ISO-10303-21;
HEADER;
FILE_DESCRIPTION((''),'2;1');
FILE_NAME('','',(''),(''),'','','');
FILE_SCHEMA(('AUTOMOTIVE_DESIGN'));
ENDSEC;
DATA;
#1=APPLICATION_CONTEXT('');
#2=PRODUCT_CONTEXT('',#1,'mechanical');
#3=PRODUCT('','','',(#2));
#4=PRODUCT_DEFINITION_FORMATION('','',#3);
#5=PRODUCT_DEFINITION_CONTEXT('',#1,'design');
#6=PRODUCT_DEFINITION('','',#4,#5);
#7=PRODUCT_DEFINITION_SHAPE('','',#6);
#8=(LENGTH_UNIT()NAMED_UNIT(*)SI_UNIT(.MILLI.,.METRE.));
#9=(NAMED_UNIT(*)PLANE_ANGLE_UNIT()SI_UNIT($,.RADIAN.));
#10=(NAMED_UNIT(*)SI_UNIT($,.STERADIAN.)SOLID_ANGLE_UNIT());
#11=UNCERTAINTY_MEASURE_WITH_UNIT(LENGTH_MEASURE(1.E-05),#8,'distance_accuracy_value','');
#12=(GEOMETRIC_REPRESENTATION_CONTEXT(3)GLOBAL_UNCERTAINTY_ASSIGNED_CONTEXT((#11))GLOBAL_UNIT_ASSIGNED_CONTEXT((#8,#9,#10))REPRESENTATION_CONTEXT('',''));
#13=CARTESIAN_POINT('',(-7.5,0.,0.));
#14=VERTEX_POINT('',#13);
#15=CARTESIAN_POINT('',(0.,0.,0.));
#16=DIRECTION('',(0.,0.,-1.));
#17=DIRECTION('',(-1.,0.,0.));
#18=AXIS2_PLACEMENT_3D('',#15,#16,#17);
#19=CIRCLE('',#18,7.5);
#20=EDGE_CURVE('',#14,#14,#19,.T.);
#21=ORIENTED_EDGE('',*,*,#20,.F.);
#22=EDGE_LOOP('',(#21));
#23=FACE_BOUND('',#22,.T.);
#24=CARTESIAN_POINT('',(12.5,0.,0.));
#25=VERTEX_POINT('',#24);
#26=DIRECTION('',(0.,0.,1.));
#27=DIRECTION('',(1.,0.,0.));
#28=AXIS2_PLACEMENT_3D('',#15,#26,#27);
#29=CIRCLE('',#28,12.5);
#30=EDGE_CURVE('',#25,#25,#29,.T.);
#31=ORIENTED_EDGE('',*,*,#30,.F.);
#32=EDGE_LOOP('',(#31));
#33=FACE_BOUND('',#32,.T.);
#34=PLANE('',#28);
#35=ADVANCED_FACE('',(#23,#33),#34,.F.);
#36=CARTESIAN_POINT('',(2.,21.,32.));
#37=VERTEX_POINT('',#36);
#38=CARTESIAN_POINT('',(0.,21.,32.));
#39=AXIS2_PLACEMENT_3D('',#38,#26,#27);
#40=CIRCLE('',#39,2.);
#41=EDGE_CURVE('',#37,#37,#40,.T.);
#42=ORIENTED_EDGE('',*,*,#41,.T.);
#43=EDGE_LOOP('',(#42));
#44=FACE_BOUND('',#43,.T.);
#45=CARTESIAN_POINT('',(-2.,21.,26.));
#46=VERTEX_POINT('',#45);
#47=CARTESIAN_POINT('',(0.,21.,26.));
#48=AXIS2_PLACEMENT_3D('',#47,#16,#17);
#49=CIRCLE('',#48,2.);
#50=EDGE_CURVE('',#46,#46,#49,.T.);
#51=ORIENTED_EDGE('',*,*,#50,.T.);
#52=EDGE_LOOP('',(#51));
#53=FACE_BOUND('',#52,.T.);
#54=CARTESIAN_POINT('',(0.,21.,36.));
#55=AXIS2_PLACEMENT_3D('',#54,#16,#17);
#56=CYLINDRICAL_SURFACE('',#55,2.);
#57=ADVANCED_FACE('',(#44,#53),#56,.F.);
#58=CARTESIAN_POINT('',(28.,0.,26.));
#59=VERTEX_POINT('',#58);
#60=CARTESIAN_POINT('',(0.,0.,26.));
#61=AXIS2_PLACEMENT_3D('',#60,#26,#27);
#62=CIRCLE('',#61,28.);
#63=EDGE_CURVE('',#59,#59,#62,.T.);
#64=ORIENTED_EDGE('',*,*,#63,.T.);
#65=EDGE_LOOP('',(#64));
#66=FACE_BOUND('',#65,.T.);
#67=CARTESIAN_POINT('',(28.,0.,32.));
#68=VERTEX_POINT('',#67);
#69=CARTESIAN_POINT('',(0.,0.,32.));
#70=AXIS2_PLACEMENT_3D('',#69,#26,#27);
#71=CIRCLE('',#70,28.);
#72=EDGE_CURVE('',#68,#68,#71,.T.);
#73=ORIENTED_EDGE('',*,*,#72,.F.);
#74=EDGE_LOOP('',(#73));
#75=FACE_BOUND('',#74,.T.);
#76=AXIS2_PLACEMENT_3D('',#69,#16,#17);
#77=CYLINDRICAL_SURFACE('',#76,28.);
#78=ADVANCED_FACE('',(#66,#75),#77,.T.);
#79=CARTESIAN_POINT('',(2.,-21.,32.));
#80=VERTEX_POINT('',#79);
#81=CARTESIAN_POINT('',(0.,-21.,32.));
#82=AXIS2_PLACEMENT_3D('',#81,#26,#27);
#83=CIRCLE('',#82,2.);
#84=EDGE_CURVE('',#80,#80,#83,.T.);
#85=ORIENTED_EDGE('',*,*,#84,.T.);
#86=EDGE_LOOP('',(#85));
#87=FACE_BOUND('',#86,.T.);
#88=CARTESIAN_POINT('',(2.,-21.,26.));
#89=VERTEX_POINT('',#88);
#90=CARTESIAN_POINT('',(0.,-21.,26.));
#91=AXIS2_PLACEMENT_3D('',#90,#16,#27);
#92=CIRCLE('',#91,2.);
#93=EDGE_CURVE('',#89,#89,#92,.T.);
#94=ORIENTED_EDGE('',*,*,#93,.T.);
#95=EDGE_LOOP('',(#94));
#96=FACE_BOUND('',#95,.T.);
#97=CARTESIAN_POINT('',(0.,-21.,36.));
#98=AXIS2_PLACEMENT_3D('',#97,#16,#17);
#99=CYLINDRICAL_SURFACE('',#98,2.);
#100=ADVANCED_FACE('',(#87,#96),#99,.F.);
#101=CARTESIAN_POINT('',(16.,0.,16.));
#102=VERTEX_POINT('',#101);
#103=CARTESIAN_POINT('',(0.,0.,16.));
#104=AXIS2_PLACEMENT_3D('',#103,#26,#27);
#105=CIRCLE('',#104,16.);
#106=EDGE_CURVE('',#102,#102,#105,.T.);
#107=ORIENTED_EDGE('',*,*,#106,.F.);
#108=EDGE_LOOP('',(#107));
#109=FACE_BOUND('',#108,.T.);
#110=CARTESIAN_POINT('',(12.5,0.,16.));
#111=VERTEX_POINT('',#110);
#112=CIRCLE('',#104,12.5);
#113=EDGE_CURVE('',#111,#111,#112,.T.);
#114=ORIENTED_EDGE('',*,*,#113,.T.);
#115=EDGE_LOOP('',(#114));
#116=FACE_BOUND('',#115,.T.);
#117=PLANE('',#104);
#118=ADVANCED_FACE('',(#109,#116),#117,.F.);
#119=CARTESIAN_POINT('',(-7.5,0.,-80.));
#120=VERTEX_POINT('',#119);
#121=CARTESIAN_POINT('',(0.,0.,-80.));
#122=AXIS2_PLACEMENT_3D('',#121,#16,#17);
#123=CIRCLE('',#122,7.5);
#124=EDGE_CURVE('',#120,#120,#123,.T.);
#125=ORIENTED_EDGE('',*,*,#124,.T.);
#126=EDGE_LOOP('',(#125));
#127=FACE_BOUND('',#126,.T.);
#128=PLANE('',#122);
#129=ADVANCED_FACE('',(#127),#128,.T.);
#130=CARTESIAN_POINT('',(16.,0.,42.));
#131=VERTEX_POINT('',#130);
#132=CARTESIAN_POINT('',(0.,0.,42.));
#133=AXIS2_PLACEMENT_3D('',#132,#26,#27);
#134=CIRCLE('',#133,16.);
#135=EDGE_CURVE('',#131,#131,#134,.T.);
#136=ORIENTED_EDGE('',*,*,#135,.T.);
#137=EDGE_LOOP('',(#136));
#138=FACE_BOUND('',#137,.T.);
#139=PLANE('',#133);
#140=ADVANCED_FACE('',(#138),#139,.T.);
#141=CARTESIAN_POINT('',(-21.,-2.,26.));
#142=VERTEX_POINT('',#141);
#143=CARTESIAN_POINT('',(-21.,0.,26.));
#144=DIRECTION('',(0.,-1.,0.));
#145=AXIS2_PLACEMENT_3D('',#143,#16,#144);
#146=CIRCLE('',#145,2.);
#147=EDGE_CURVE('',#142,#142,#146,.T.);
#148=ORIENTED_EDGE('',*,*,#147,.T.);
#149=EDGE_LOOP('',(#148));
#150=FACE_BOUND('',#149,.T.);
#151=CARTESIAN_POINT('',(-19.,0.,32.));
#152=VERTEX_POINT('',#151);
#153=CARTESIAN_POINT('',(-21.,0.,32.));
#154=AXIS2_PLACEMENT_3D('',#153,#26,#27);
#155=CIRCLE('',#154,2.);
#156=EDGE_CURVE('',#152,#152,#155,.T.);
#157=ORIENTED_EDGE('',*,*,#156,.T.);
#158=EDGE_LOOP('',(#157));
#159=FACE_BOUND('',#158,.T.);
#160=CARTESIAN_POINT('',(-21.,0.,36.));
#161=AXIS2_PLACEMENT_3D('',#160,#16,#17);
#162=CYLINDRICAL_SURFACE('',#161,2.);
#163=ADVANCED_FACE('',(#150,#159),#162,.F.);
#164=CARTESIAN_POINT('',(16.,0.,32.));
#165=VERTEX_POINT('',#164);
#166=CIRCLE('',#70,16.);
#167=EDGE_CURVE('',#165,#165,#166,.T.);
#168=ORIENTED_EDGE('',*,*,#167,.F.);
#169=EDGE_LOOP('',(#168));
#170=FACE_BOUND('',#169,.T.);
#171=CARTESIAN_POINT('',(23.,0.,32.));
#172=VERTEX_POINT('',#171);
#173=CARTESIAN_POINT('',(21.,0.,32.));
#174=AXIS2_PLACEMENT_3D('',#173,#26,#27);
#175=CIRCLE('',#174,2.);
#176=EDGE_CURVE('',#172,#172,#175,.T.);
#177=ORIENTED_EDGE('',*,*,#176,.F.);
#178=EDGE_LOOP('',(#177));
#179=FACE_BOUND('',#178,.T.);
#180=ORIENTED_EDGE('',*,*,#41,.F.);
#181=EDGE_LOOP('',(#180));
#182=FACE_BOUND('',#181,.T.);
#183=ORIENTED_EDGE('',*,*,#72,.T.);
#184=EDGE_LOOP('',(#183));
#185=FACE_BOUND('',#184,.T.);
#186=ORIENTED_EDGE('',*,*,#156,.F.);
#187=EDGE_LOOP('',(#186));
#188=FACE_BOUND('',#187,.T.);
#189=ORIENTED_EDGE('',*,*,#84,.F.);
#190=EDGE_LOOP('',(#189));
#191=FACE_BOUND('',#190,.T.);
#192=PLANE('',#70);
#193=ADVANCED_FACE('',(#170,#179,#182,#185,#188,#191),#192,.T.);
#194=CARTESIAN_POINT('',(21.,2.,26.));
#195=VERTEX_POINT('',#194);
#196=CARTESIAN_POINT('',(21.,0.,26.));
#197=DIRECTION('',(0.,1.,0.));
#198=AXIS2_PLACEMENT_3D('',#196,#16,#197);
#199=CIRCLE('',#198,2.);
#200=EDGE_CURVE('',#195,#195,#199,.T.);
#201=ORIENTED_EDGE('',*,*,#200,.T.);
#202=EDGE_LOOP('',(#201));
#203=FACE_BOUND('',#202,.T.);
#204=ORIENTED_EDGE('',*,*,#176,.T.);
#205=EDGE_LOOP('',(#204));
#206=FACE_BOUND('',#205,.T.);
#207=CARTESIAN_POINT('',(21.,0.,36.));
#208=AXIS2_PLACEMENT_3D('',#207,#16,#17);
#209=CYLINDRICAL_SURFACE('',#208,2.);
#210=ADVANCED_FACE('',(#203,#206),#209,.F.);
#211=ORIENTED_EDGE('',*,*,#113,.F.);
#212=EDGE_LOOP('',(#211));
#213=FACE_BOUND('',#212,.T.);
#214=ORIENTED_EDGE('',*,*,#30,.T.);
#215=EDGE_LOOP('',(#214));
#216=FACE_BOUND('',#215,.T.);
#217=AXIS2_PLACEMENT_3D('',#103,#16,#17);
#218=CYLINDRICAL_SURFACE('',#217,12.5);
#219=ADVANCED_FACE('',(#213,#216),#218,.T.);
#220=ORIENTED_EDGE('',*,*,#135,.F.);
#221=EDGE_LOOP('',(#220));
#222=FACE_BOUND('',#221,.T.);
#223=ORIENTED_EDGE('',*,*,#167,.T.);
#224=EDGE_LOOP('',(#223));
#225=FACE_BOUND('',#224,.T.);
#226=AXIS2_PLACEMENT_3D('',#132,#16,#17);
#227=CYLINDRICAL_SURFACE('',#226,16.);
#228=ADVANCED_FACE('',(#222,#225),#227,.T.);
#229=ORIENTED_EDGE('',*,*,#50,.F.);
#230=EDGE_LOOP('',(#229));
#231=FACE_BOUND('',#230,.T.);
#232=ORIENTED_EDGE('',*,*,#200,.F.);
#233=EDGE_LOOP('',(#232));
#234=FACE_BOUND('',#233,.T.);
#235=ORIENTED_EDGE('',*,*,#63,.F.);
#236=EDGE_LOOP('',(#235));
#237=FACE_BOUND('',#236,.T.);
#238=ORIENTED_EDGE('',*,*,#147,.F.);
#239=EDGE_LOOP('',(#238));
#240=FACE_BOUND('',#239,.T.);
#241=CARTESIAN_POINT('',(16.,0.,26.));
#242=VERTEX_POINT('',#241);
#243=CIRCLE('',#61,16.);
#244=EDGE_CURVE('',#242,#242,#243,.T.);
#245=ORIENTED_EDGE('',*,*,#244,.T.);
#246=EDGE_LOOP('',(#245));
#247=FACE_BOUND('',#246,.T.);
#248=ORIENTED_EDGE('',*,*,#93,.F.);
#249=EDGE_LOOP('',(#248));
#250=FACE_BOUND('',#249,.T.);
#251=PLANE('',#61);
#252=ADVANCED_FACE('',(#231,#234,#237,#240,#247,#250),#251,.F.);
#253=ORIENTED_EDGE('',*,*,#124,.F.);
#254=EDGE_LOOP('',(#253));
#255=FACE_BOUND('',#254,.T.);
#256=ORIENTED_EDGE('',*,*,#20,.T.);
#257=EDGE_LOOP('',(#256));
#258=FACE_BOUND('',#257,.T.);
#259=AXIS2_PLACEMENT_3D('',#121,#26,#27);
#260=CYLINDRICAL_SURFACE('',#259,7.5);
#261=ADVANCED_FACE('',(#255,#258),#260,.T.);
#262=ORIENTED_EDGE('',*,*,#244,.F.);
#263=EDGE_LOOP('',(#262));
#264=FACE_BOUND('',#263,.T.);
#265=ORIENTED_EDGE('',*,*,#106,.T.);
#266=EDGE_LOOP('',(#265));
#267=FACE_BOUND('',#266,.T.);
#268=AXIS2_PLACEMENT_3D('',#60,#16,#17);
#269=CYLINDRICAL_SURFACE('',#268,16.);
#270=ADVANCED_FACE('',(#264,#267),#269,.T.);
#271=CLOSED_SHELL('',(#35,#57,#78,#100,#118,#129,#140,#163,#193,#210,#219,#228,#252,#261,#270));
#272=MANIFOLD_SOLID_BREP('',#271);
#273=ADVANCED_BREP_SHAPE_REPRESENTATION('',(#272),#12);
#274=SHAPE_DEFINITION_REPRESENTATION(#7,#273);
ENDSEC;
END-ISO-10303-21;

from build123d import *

# Parameters (mm, degrees)
SKETCH_1_R               = 12.5
EXTRUDE_1_DEPTH          = 16
SKETCH_2_R               = 16
EXTRUDE_2_DEPTH          = 10
SKETCH_3_R               = 28
EXTRUDE_3_DEPTH          = 6
SKETCH_6_R               = 2
CUT_EXTRUDE_1_DEPTH      = 10
PATTERN_CIRCULAR_2_COUNT = 4
SKETCH_8_R               = 16
EXTRUDE_5_DEPTH          = 10
SKETCH_7_R               = 7.5
EXTRUDE_6_DEPTH          = 80


with BuildPart() as part:
    # 草图1 → 凸台-拉伸1 (new body)
    with BuildSketch(Plane.XY):
        Circle(SKETCH_1_R)
    extrude(amount=EXTRUDE_1_DEPTH)

    # 草图2 → 凸台-拉伸2 (add)
    with BuildSketch(Plane.XY.offset(16)):
        Circle(SKETCH_2_R)
    extrude(amount=EXTRUDE_2_DEPTH)

    # 草图3 → 凸台-拉伸3 (add)
    with BuildSketch(Plane.XY.offset(26)):
        Circle(SKETCH_3_R)
    extrude(amount=EXTRUDE_3_DEPTH)

    # 草图6 → 切除-拉伸1 (cut)
    with BuildSketch(Plane(origin=(0, 0, 26), x_dir=(-1, 0, 0), z_dir=(0, 0, -1))):
        with Locations((0, 21)):
            Circle(SKETCH_6_R)
    cut_extrude_1 = extrude(amount=-CUT_EXTRUDE_1_DEPTH, mode=Mode.SUBTRACT)

    # 阵列(圆周)2: 切除-拉伸1 ×4 about axis
    pattern_circular_2_axis = Axis((0, 0, 0), (0, 0, 1))
    for i in range(1, PATTERN_CIRCULAR_2_COUNT):
        add(cut_extrude_1.rotate(pattern_circular_2_axis, i * 360 / PATTERN_CIRCULAR_2_COUNT), mode=Mode.SUBTRACT)

    # 草图8 → 凸台-拉伸5 (add)
    with BuildSketch(Plane.XY.offset(32)):
        Circle(SKETCH_8_R)
    extrude(amount=EXTRUDE_5_DEPTH)

    # 草图7 → 凸台-拉伸6 (add)
    with BuildSketch(Plane(origin=(0, 0, 0), x_dir=(-1, 0, 0), z_dir=(0, 0, -1))):
        Circle(SKETCH_7_R)
    extrude(amount=EXTRUDE_6_DEPTH)


solid = part.part
